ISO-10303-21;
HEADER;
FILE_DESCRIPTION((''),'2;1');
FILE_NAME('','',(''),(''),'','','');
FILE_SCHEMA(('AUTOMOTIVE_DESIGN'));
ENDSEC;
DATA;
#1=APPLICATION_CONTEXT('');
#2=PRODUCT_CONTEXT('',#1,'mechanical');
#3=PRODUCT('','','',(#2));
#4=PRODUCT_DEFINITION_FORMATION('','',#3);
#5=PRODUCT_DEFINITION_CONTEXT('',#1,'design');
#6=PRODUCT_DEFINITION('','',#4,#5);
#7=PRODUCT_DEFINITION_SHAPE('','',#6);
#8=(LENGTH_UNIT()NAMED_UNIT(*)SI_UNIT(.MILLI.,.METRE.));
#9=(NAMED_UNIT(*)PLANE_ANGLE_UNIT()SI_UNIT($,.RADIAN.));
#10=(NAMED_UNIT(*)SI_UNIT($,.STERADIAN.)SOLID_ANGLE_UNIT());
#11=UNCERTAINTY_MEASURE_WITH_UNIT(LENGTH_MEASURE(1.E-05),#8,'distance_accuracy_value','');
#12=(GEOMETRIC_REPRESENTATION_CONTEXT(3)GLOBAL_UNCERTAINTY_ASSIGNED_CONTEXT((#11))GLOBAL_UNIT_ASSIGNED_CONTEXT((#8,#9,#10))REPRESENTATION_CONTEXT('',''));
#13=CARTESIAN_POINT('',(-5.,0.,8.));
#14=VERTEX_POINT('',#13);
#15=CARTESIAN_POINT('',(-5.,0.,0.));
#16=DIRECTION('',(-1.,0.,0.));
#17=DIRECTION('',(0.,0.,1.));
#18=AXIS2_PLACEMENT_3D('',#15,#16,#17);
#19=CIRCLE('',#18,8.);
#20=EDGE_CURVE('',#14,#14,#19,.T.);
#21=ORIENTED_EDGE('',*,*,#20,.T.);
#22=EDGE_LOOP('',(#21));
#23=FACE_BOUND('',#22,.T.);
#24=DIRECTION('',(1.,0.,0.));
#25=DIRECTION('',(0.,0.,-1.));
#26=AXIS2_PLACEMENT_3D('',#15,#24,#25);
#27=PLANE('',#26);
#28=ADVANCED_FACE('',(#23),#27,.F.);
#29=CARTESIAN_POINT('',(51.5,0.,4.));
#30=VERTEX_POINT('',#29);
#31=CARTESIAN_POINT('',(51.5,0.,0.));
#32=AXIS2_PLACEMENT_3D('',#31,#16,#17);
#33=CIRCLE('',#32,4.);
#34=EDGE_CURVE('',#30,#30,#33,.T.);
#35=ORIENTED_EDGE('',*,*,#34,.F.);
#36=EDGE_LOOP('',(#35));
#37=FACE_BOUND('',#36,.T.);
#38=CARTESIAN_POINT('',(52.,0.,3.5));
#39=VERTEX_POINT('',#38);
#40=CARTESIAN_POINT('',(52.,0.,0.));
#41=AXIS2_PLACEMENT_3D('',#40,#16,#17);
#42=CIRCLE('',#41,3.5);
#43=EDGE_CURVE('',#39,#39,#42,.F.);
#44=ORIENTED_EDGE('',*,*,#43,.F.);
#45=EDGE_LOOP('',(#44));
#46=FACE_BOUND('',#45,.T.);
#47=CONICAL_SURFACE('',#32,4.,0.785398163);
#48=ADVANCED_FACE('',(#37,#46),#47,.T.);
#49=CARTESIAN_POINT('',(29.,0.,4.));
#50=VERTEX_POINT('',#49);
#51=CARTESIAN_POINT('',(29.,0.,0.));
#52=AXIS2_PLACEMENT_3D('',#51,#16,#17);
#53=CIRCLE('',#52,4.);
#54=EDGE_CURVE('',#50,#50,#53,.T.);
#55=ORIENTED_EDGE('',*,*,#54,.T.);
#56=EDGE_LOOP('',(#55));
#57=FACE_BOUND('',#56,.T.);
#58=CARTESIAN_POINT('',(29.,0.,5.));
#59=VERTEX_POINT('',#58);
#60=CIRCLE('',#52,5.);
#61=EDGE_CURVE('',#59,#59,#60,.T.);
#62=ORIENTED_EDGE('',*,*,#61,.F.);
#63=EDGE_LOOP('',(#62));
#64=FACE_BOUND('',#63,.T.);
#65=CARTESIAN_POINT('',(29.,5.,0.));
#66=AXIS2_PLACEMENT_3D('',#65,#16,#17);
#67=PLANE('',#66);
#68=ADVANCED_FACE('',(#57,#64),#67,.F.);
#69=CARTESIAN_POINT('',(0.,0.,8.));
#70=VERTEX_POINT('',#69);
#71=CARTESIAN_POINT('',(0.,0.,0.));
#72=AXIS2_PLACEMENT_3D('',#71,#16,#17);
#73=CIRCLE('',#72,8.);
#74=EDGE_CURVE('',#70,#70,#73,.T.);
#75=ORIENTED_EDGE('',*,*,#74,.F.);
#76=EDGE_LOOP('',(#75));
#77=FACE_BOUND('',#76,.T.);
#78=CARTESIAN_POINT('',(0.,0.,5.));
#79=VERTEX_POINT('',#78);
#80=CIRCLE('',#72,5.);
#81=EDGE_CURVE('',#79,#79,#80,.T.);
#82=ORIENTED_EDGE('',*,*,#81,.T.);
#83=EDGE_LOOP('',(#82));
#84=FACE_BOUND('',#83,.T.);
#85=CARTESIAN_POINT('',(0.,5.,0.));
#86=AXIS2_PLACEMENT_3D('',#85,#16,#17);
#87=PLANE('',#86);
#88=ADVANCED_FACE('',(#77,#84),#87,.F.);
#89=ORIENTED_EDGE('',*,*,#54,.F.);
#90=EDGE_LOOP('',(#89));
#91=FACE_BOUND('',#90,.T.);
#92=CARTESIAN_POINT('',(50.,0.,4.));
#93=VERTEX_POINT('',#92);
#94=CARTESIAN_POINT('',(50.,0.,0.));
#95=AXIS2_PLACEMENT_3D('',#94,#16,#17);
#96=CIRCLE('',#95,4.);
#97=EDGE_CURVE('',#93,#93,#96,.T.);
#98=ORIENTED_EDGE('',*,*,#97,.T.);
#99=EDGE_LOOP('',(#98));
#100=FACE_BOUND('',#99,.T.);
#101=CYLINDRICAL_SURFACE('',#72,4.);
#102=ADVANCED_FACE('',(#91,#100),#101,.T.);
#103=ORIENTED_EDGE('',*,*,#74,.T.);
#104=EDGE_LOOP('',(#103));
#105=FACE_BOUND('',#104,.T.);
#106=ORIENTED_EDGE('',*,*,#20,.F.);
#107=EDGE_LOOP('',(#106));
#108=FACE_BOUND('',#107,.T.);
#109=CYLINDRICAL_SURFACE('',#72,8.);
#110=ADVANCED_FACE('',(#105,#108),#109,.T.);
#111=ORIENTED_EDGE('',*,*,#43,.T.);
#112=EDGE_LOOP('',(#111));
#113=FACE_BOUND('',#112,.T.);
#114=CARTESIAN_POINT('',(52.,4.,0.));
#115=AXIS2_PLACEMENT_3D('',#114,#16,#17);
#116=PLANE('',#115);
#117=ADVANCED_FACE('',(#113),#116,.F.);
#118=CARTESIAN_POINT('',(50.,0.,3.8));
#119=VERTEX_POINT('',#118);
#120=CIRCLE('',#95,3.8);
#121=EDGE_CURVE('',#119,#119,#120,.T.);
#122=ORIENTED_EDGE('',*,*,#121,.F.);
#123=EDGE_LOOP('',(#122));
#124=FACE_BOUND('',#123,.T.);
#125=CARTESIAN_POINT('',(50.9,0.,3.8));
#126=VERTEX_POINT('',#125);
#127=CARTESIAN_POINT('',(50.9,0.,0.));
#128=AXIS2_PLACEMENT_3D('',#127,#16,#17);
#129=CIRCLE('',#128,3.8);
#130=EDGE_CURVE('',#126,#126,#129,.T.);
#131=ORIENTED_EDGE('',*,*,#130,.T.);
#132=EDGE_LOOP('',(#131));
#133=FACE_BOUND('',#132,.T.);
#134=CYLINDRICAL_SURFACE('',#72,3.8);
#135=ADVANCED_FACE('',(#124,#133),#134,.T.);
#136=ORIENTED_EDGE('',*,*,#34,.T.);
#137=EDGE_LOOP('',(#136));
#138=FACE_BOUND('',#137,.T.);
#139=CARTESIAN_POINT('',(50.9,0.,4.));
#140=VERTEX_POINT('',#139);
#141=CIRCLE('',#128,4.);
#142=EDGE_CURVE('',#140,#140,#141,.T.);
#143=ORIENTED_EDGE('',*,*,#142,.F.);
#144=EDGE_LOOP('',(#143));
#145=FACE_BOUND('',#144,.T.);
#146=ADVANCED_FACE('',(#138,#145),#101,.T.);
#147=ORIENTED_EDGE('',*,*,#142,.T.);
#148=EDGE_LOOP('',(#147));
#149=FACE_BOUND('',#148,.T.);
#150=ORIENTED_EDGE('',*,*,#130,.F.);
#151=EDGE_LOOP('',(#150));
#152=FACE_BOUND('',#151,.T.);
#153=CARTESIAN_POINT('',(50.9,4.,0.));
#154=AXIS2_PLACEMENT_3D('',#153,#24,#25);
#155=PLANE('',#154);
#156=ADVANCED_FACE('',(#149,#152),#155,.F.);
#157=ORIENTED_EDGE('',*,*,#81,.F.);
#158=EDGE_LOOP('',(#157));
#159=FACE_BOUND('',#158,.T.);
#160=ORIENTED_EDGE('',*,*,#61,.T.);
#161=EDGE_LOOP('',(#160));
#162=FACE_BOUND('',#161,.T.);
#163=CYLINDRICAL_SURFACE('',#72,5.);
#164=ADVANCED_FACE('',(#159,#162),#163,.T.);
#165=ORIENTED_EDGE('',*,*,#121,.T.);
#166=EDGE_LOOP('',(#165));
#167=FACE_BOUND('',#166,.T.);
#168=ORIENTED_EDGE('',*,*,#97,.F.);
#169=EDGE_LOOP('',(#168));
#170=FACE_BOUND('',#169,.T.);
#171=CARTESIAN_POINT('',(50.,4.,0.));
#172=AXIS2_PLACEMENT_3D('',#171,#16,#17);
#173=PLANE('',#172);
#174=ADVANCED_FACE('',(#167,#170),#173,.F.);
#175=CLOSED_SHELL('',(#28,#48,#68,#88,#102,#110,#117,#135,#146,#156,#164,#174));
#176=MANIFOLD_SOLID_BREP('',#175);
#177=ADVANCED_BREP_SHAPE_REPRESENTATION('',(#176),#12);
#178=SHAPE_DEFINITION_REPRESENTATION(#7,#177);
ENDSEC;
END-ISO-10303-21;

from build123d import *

# Parameters (mm, degrees)
CHAMFER_1_SIZE = 0.5


with BuildPart() as part:
    # Эскиз1 → Повернуть1 (revolve)
    with BuildSketch(Plane.XY, mode=Mode.PRIVATE) as revolve_1_sk:
        Polygon((50.9, 4), (52, 4), (52, 0), (0, 0), (-5, 0), (-5, 8), (0, 8), (0, 5), (29, 5), (29, 4), (50, 4), (50, 3.8), (50.9, 3.8), align=None)
    revolve(revolve_1_sk.sketch.rotate(Axis((0, 0, 0), (1, 0, 0)), 90), axis=Axis((0, 0, 0), (1, 0, 0)))

    # Фаска1
    chamfer_1_edges = [part.edges().sort_by_distance(p)[0] for p in [
        (52, 0, -4),
    ]]
    chamfer(chamfer_1_edges, length=CHAMFER_1_SIZE)


solid = part.part
